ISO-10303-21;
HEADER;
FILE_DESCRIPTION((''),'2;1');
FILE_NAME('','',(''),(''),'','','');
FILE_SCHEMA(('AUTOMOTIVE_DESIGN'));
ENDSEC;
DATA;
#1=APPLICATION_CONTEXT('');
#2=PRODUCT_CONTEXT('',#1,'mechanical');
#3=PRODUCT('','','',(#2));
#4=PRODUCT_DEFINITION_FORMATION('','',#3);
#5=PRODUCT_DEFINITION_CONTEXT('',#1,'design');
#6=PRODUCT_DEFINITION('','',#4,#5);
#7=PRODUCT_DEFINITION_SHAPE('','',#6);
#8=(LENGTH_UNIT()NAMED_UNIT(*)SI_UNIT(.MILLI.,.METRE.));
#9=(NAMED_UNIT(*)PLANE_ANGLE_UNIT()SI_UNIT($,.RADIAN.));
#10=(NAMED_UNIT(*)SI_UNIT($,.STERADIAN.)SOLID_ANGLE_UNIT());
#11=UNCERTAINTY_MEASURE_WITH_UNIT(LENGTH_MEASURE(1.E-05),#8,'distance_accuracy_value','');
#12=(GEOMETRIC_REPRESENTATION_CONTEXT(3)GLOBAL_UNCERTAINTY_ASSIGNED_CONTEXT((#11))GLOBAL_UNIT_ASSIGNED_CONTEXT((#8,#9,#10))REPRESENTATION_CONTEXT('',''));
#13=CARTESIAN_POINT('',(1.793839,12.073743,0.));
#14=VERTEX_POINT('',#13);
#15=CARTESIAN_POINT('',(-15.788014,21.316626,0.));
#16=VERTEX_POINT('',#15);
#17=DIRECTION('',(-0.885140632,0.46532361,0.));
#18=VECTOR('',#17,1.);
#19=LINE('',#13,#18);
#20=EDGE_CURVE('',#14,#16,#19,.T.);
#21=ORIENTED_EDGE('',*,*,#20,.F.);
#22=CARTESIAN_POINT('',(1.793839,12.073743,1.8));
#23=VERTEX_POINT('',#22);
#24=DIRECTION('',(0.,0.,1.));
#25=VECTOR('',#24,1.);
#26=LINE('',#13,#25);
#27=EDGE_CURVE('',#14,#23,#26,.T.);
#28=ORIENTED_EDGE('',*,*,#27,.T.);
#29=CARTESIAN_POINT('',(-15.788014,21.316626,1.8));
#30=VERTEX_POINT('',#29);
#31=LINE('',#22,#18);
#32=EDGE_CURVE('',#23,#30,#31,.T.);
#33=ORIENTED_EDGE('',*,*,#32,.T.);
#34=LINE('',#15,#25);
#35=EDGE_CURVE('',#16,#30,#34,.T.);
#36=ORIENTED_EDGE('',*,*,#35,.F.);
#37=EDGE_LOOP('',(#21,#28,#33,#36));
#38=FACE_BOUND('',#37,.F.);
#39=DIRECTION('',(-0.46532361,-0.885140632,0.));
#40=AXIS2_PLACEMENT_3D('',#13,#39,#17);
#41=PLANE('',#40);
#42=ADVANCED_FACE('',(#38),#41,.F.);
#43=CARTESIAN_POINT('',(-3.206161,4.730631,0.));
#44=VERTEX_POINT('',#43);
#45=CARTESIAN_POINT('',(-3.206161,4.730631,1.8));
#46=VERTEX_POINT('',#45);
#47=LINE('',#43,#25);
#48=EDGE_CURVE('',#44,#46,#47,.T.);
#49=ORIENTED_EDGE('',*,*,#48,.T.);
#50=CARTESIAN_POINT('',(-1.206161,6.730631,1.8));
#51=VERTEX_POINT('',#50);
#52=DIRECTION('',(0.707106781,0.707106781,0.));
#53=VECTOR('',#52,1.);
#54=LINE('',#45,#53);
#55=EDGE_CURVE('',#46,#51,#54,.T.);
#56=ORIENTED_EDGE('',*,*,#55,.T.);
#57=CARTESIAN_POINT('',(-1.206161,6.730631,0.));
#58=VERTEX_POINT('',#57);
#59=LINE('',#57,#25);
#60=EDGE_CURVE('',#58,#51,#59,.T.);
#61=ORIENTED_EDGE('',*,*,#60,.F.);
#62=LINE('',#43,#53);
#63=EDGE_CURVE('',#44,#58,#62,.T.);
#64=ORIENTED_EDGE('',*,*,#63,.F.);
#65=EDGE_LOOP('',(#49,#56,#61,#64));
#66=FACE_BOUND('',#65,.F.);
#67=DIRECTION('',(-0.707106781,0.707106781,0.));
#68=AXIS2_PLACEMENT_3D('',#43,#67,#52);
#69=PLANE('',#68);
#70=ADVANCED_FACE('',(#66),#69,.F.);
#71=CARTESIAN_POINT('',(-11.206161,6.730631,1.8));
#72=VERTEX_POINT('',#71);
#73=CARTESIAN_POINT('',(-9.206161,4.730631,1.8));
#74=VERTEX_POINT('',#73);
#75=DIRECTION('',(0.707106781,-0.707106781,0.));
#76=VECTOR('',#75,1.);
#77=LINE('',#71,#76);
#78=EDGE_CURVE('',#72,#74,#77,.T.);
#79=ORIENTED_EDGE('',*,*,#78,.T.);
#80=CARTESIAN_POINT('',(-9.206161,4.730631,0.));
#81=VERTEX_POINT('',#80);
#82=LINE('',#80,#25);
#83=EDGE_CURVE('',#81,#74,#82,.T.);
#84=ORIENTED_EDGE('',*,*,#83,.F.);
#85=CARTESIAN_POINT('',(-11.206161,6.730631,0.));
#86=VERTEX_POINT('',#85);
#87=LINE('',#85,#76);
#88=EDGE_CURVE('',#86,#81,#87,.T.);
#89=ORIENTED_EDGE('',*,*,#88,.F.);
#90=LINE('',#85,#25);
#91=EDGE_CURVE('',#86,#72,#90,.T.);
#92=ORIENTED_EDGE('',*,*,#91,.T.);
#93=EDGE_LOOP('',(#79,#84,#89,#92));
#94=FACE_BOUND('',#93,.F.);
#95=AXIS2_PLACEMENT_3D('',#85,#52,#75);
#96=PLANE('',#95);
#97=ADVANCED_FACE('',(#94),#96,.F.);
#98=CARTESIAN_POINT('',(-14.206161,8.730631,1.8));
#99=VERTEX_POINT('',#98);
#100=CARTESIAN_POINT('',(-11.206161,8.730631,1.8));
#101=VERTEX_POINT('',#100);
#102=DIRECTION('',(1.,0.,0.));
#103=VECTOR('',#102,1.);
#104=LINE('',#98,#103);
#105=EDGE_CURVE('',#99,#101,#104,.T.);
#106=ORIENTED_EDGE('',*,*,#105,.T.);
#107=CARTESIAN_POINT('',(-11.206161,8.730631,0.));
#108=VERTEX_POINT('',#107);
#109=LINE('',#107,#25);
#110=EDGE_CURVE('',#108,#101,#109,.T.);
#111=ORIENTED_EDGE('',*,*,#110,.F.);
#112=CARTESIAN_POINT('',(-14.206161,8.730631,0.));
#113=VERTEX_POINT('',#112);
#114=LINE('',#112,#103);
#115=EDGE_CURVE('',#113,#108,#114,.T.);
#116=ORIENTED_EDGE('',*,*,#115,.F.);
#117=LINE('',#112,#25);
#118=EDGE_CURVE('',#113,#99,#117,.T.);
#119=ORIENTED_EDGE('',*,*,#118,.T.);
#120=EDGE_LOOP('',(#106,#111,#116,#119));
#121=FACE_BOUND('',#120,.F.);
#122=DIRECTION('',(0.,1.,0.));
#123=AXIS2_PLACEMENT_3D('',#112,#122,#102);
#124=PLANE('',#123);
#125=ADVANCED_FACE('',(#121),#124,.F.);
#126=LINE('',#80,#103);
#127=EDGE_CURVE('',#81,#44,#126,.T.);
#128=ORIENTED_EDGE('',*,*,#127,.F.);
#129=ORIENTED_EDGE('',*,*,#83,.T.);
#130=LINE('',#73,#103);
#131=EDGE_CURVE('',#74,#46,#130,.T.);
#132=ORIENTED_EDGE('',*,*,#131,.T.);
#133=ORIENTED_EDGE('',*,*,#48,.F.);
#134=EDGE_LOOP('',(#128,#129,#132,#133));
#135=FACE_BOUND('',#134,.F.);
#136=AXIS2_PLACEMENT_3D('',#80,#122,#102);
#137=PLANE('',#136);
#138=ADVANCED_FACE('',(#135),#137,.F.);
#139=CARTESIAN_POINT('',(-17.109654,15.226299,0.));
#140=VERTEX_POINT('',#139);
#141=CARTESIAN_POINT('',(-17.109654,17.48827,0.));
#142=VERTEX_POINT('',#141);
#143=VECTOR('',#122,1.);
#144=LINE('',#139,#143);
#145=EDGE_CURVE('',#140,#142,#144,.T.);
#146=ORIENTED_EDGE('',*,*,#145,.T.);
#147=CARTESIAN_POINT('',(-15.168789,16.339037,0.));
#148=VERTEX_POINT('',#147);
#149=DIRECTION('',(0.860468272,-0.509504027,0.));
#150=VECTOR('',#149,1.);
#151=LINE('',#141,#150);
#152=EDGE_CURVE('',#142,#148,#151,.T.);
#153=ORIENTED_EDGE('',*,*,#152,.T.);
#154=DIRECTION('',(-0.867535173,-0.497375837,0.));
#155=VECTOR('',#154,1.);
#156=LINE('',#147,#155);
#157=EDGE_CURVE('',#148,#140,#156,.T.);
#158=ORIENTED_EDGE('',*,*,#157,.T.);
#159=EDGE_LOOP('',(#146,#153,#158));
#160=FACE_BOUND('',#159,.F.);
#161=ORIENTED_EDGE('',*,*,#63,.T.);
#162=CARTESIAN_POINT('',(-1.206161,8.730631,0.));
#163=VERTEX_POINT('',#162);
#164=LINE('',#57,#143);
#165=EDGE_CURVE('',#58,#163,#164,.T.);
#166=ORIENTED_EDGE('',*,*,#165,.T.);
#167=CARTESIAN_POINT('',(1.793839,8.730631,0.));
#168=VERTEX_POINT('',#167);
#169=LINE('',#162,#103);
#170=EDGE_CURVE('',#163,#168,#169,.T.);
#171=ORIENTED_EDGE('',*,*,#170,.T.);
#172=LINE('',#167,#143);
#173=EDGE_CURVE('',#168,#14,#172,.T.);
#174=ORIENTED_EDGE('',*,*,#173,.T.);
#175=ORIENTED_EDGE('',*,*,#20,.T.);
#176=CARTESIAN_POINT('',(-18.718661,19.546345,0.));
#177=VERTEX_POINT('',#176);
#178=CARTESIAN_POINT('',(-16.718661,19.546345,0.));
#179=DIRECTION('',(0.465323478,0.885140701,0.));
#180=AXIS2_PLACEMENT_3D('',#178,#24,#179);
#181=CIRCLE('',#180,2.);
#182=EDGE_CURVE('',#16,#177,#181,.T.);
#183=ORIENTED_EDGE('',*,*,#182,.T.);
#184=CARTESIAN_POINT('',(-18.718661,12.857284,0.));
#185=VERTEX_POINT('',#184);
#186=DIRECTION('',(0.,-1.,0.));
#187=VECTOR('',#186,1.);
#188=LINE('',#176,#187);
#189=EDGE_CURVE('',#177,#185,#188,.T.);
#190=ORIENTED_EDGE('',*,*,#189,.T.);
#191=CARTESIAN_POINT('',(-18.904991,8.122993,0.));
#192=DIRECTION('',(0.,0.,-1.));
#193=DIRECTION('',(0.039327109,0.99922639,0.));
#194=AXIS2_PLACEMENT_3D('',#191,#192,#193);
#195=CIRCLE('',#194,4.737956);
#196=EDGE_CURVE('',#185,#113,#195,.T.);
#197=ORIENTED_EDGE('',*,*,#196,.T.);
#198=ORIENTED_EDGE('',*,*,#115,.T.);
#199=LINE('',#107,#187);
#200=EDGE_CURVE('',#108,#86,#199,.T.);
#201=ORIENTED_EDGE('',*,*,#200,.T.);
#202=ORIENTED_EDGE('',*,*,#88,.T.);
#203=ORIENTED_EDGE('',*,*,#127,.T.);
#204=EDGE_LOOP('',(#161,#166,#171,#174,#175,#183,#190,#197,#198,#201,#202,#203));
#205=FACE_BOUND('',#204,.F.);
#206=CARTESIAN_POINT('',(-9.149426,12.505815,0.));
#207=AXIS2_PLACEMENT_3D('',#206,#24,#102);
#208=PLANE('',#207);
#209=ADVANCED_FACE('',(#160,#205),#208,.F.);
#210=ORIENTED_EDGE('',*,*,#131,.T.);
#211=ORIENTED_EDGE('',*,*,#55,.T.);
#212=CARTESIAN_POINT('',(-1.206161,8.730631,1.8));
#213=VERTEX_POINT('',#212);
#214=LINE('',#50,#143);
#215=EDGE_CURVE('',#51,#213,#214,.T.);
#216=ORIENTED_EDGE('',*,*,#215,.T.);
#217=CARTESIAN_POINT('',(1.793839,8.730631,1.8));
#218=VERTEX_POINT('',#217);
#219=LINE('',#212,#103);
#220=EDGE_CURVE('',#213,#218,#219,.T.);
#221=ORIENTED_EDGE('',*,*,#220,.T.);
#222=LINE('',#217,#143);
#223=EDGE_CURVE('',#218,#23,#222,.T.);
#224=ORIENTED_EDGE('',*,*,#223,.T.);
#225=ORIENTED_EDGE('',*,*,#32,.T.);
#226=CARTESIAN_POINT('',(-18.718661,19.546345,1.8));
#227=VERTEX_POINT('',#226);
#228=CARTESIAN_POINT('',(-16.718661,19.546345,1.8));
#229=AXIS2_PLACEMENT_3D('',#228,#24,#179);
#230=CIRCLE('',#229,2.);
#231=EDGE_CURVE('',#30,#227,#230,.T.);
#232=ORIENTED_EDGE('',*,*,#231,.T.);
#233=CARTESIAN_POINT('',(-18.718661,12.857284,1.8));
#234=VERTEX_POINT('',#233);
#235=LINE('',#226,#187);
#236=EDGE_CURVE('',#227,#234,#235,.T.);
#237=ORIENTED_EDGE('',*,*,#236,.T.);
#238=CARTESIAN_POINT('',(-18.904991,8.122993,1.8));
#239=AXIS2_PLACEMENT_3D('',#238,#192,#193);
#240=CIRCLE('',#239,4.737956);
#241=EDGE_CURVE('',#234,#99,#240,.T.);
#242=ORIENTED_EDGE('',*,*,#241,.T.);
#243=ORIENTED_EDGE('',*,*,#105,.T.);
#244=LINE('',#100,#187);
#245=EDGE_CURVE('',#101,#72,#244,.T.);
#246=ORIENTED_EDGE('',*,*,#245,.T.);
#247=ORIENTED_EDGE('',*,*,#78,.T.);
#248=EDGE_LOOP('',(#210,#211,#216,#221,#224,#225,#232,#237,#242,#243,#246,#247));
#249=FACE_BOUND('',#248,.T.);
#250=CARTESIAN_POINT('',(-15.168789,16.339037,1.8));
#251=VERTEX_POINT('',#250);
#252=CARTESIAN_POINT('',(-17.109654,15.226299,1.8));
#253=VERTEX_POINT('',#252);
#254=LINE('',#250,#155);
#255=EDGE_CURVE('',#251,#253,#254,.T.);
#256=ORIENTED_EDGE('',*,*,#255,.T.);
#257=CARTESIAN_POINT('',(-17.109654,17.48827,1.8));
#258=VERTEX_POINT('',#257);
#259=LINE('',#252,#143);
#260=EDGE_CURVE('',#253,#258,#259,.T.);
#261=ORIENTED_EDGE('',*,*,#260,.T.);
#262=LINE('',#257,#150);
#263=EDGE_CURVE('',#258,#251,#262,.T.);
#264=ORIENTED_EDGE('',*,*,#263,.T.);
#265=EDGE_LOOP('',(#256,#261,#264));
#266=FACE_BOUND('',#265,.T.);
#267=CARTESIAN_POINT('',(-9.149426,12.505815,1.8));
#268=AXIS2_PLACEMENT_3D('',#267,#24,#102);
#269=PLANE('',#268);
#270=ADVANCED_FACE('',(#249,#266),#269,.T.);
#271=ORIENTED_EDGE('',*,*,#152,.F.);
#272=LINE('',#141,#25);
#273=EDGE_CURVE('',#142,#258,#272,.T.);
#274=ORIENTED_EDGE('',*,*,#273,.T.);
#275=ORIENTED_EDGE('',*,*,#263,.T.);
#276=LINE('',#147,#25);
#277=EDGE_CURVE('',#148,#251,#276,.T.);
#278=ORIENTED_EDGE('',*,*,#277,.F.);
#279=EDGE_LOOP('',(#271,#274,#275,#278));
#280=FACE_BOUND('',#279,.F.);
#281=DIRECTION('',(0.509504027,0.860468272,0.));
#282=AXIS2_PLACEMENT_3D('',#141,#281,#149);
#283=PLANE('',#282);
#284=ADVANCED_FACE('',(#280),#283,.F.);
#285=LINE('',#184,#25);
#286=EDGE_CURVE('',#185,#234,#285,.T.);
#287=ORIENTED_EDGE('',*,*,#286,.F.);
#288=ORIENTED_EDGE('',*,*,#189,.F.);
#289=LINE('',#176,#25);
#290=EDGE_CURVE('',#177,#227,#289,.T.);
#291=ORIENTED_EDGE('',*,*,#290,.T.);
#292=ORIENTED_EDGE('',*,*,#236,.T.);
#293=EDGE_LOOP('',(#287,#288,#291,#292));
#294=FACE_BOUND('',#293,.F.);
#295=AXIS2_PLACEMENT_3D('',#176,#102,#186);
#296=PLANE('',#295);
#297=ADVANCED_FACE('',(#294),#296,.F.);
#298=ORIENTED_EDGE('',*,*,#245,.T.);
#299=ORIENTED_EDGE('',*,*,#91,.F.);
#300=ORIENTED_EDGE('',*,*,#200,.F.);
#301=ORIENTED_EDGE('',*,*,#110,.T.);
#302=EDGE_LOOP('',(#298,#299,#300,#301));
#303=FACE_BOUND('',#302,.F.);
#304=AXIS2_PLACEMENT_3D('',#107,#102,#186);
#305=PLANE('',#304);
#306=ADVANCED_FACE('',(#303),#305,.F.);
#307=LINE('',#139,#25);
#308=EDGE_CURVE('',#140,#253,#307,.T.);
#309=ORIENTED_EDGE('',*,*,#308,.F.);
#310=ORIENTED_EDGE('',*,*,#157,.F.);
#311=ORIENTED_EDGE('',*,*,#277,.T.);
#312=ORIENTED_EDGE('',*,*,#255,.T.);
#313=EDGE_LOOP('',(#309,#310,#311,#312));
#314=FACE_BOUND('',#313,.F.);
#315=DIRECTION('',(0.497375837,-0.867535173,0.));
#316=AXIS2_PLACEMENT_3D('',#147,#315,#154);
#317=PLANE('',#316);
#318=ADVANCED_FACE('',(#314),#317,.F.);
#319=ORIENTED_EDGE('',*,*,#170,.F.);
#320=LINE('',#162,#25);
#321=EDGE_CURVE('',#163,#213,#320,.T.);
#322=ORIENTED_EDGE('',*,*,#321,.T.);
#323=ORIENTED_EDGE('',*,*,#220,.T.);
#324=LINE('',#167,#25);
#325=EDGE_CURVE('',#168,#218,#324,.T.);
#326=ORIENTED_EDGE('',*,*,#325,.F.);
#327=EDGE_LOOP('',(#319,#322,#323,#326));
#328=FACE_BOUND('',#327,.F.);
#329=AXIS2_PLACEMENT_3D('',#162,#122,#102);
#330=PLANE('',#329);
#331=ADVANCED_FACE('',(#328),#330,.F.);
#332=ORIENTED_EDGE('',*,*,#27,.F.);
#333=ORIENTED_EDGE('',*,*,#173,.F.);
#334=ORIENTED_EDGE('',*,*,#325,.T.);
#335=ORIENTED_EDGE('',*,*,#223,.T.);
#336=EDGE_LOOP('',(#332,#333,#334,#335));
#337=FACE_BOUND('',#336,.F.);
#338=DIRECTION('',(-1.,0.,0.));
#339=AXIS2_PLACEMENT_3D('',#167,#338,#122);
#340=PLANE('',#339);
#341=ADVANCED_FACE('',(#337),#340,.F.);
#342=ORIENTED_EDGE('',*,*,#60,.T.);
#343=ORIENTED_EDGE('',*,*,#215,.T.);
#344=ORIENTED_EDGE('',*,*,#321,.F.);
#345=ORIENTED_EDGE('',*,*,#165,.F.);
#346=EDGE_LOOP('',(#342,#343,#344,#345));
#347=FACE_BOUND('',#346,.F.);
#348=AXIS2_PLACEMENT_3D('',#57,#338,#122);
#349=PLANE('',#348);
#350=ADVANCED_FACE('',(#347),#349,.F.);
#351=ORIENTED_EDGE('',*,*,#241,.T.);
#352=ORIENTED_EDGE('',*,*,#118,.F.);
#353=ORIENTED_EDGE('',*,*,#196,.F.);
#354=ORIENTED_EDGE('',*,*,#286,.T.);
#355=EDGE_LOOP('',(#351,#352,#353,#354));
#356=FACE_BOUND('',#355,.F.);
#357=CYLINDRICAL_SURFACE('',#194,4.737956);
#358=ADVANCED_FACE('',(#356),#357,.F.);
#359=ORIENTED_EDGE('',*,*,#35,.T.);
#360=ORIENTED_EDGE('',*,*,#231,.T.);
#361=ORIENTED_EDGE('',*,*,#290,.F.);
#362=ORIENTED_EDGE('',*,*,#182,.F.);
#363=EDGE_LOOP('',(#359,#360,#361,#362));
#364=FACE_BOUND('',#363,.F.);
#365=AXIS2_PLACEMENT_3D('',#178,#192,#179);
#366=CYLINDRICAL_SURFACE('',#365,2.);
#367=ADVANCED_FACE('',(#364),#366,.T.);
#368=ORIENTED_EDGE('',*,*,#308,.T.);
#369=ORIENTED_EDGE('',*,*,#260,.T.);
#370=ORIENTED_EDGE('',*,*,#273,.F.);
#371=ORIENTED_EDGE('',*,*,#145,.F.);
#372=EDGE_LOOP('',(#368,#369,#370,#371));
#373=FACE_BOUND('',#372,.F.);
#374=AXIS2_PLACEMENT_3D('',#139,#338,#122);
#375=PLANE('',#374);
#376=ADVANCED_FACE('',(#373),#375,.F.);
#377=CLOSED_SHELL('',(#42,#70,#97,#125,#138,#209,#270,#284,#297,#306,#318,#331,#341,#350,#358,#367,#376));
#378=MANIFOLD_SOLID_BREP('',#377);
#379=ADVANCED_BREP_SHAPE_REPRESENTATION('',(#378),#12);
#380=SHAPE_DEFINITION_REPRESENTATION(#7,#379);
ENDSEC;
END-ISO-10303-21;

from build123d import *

# Parameters (mm, degrees)
F1_DEPTH = 1.8


with BuildPart() as f1:
    # F0 (on Top) → F1 (new body)
    with BuildSketch(Plane.XY):
        with BuildLine():
            ThreePointArc((-18.718661, 12.857284), (-15.707568, 11.619379), (-14.206161, 8.730631))
            Line((-14.206161, 8.730631), (-11.206161, 8.730631))
            Line((-11.206161, 8.730631), (-11.206161, 6.730631))
            Line((-11.206161, 6.730631), (-9.206161, 4.730631))
            Line((-9.206161, 4.730631), (-3.206161, 4.730631))
            Line((-3.206161, 4.730631), (-1.206161, 6.730631))
            Line((-1.206161, 6.730631), (-1.206161, 8.730631))
            Line((-1.206161, 8.730631), (1.793839, 8.730631))
            Line((1.793839, 8.730631), (1.793839, 12.073743))
            Line((1.793839, 12.073743), (-15.788014, 21.316626))
            ThreePointArc((-15.788014, 21.316626), (-17.752756, 21.258258), (-18.718661, 19.546345))
            Line((-18.718661, 19.546345), (-18.718661, 12.857284))
        make_face()
        Polygon((-17.109654, 15.226299), (-17.109654, 17.48827), (-15.168789, 16.339037), align=None, mode=Mode.SUBTRACT)
    extrude(amount=F1_DEPTH)


solid = f1.part
